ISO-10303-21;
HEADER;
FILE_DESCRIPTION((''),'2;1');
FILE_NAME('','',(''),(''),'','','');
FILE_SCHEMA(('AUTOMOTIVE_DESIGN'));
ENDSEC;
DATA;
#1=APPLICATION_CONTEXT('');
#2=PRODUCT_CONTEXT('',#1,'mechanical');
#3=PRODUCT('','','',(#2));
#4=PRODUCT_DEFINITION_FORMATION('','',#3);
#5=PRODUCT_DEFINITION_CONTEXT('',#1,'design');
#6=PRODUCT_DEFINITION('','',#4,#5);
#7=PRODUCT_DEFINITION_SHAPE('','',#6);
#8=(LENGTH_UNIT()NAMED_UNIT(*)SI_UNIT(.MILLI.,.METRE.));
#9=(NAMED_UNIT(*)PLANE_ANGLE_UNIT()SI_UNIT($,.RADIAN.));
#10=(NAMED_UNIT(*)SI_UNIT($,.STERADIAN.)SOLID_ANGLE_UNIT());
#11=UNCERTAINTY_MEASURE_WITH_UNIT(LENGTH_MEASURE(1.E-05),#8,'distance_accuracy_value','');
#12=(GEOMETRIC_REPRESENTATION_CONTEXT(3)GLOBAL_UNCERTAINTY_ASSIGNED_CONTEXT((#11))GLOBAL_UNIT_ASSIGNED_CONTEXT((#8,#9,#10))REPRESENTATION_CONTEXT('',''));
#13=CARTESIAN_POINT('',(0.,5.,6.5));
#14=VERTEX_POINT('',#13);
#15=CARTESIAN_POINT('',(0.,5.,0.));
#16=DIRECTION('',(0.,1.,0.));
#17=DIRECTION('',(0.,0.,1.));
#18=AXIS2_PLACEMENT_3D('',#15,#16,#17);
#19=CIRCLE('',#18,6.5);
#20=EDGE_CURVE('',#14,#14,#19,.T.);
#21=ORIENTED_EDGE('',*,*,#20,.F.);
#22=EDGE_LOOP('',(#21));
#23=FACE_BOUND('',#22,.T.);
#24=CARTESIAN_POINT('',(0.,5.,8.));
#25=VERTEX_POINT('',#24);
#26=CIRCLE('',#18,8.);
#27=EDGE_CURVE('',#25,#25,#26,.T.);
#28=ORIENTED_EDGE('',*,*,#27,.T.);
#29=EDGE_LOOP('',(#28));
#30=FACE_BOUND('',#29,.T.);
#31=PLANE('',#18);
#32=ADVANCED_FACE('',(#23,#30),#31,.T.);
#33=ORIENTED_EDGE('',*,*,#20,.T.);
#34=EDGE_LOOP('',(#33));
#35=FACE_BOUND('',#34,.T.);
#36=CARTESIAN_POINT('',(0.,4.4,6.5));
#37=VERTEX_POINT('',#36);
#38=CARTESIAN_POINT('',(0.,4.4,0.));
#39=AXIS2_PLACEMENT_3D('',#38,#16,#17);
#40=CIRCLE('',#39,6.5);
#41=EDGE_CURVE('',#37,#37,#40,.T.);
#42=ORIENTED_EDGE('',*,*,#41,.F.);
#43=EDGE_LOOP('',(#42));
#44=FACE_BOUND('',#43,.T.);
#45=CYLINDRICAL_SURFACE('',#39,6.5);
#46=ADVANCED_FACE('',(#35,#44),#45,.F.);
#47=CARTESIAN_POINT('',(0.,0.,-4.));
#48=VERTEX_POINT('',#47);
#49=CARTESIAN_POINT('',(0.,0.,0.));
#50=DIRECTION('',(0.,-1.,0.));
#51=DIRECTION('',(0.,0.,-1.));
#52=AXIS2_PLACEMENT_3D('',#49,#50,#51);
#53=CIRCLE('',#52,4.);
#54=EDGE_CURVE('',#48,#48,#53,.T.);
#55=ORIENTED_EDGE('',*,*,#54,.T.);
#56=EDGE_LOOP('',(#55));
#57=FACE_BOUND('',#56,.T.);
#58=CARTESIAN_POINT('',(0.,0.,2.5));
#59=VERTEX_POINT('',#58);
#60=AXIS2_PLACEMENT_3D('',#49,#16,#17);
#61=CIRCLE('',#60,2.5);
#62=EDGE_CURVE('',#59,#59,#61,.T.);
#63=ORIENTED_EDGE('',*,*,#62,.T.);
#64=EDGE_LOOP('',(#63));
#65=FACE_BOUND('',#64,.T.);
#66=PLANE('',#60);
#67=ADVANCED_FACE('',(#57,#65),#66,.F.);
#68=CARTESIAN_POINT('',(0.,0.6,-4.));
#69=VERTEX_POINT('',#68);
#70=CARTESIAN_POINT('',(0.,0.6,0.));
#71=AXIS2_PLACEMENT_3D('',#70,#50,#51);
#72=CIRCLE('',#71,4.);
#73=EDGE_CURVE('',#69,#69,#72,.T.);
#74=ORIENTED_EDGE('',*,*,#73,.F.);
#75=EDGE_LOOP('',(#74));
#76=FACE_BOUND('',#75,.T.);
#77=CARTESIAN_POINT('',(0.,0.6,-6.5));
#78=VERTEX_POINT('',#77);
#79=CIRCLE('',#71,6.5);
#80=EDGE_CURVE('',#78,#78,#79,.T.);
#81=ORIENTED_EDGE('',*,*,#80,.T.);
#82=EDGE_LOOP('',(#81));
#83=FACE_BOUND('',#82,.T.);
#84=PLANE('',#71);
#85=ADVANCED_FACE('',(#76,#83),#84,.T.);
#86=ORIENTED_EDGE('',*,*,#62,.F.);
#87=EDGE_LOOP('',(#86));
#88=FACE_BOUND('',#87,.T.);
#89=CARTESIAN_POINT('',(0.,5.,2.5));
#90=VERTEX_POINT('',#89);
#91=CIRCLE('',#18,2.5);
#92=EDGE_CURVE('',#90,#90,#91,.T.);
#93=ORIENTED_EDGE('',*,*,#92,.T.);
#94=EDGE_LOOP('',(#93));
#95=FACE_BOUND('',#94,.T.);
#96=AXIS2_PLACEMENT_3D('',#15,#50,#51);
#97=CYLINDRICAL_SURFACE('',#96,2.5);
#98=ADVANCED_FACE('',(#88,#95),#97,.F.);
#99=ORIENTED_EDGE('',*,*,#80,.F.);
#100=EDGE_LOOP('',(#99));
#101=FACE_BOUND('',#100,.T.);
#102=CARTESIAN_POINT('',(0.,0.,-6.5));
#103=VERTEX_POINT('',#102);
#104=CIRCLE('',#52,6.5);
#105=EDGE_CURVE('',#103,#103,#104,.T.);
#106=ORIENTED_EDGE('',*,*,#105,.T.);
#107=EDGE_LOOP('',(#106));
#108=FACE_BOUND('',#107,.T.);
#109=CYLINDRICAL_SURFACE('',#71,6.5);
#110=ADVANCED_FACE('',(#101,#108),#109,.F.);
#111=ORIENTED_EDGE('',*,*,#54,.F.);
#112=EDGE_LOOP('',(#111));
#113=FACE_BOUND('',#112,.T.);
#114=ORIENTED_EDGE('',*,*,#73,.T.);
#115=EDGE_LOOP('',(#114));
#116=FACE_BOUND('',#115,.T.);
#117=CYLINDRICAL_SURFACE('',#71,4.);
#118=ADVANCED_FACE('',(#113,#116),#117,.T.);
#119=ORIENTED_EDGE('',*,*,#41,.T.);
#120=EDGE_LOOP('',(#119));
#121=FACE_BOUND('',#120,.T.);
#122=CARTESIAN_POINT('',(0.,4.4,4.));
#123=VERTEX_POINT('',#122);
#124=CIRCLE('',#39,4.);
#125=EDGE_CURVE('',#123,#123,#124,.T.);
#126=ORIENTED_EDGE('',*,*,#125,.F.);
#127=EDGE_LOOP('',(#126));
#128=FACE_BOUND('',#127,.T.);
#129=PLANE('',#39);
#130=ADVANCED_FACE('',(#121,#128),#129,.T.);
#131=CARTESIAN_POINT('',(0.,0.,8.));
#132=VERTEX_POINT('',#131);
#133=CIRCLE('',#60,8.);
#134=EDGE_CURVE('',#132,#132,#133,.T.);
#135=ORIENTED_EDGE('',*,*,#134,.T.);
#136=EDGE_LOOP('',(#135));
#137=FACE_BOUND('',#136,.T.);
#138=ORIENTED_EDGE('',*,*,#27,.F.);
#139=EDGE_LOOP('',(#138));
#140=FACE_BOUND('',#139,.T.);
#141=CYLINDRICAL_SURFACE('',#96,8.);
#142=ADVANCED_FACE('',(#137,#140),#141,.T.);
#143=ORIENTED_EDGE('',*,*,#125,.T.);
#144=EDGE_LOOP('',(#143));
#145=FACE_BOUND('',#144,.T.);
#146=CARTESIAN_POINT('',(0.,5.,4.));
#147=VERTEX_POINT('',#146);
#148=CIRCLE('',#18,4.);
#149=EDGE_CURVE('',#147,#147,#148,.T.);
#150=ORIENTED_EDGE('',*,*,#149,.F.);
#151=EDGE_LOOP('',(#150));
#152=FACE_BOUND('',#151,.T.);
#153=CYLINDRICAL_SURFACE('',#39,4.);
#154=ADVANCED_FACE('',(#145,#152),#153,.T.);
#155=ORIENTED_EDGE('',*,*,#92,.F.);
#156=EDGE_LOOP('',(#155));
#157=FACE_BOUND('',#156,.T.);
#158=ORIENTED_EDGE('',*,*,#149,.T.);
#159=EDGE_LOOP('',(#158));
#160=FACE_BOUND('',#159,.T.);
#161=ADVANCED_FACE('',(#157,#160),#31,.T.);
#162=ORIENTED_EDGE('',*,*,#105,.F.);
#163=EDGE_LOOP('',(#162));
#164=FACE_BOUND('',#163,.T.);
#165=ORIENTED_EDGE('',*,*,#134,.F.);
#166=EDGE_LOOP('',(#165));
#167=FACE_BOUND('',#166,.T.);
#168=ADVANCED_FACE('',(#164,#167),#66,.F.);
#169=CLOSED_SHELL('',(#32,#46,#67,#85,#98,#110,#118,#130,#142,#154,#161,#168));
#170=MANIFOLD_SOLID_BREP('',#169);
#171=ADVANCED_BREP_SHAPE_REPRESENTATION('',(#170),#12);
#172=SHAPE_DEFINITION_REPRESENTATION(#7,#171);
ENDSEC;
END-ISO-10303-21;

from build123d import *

# Parameters (mm, degrees)
SKETCH1_R           = 8
SKETCH1_R_2         = 2.5
BOSS_EXTRUDE1_DEPTH = 5
SKETCH2_R           = 6.5
SKETCH2_R_2         = 4
CUT_EXTRUDE1_DEPTH  = 0.6
CUT_EXTRUDE2_START  = -0.6
SKETCH3_R           = 6.5
SKETCH3_R_2         = 4
CUT_EXTRUDE2_DEPTH  = 0.6


with BuildPart() as part:
    # Sketch1 → Boss-Extrude1 (new body)
    with BuildSketch(Plane(origin=(0, 0, 0), x_dir=(1, 0, 0), z_dir=(0, 1, 0))):
        with Locations(Location((0, 0, 0), (0, 0, 270))):
            Circle(SKETCH1_R)
        with Locations(Location((0, 0, 0), (0, 0, 270))):
            Circle(SKETCH1_R_2, mode=Mode.SUBTRACT)
    extrude(amount=BOSS_EXTRUDE1_DEPTH)

    # Sketch2 → Cut-Extrude1 (cut)
    with BuildSketch(Plane(origin=(0, 5, 0), x_dir=(1, 0, 0), z_dir=(0, 1, 0))):
        with Locations(Location((0, 0, 0), (0, 0, 270))):
            Circle(SKETCH2_R)
        with Locations(Location((0, 0, 0), (0, 0, 270))):
            Circle(SKETCH2_R_2, mode=Mode.SUBTRACT)
    extrude(amount=-CUT_EXTRUDE1_DEPTH, mode=Mode.SUBTRACT)

    # Sketch3 → Cut-Extrude2 (cut)
    with BuildSketch(Plane.XZ.offset(CUT_EXTRUDE2_START)):
        with Locations(Location((0, 0, 0), (0, 0, 90))):
            Circle(SKETCH3_R)
        with Locations(Location((0, 0, 0), (0, 0, 90))):
            Circle(SKETCH3_R_2, mode=Mode.SUBTRACT)
    extrude(amount=CUT_EXTRUDE2_DEPTH, mode=Mode.SUBTRACT)


solid = part.part
